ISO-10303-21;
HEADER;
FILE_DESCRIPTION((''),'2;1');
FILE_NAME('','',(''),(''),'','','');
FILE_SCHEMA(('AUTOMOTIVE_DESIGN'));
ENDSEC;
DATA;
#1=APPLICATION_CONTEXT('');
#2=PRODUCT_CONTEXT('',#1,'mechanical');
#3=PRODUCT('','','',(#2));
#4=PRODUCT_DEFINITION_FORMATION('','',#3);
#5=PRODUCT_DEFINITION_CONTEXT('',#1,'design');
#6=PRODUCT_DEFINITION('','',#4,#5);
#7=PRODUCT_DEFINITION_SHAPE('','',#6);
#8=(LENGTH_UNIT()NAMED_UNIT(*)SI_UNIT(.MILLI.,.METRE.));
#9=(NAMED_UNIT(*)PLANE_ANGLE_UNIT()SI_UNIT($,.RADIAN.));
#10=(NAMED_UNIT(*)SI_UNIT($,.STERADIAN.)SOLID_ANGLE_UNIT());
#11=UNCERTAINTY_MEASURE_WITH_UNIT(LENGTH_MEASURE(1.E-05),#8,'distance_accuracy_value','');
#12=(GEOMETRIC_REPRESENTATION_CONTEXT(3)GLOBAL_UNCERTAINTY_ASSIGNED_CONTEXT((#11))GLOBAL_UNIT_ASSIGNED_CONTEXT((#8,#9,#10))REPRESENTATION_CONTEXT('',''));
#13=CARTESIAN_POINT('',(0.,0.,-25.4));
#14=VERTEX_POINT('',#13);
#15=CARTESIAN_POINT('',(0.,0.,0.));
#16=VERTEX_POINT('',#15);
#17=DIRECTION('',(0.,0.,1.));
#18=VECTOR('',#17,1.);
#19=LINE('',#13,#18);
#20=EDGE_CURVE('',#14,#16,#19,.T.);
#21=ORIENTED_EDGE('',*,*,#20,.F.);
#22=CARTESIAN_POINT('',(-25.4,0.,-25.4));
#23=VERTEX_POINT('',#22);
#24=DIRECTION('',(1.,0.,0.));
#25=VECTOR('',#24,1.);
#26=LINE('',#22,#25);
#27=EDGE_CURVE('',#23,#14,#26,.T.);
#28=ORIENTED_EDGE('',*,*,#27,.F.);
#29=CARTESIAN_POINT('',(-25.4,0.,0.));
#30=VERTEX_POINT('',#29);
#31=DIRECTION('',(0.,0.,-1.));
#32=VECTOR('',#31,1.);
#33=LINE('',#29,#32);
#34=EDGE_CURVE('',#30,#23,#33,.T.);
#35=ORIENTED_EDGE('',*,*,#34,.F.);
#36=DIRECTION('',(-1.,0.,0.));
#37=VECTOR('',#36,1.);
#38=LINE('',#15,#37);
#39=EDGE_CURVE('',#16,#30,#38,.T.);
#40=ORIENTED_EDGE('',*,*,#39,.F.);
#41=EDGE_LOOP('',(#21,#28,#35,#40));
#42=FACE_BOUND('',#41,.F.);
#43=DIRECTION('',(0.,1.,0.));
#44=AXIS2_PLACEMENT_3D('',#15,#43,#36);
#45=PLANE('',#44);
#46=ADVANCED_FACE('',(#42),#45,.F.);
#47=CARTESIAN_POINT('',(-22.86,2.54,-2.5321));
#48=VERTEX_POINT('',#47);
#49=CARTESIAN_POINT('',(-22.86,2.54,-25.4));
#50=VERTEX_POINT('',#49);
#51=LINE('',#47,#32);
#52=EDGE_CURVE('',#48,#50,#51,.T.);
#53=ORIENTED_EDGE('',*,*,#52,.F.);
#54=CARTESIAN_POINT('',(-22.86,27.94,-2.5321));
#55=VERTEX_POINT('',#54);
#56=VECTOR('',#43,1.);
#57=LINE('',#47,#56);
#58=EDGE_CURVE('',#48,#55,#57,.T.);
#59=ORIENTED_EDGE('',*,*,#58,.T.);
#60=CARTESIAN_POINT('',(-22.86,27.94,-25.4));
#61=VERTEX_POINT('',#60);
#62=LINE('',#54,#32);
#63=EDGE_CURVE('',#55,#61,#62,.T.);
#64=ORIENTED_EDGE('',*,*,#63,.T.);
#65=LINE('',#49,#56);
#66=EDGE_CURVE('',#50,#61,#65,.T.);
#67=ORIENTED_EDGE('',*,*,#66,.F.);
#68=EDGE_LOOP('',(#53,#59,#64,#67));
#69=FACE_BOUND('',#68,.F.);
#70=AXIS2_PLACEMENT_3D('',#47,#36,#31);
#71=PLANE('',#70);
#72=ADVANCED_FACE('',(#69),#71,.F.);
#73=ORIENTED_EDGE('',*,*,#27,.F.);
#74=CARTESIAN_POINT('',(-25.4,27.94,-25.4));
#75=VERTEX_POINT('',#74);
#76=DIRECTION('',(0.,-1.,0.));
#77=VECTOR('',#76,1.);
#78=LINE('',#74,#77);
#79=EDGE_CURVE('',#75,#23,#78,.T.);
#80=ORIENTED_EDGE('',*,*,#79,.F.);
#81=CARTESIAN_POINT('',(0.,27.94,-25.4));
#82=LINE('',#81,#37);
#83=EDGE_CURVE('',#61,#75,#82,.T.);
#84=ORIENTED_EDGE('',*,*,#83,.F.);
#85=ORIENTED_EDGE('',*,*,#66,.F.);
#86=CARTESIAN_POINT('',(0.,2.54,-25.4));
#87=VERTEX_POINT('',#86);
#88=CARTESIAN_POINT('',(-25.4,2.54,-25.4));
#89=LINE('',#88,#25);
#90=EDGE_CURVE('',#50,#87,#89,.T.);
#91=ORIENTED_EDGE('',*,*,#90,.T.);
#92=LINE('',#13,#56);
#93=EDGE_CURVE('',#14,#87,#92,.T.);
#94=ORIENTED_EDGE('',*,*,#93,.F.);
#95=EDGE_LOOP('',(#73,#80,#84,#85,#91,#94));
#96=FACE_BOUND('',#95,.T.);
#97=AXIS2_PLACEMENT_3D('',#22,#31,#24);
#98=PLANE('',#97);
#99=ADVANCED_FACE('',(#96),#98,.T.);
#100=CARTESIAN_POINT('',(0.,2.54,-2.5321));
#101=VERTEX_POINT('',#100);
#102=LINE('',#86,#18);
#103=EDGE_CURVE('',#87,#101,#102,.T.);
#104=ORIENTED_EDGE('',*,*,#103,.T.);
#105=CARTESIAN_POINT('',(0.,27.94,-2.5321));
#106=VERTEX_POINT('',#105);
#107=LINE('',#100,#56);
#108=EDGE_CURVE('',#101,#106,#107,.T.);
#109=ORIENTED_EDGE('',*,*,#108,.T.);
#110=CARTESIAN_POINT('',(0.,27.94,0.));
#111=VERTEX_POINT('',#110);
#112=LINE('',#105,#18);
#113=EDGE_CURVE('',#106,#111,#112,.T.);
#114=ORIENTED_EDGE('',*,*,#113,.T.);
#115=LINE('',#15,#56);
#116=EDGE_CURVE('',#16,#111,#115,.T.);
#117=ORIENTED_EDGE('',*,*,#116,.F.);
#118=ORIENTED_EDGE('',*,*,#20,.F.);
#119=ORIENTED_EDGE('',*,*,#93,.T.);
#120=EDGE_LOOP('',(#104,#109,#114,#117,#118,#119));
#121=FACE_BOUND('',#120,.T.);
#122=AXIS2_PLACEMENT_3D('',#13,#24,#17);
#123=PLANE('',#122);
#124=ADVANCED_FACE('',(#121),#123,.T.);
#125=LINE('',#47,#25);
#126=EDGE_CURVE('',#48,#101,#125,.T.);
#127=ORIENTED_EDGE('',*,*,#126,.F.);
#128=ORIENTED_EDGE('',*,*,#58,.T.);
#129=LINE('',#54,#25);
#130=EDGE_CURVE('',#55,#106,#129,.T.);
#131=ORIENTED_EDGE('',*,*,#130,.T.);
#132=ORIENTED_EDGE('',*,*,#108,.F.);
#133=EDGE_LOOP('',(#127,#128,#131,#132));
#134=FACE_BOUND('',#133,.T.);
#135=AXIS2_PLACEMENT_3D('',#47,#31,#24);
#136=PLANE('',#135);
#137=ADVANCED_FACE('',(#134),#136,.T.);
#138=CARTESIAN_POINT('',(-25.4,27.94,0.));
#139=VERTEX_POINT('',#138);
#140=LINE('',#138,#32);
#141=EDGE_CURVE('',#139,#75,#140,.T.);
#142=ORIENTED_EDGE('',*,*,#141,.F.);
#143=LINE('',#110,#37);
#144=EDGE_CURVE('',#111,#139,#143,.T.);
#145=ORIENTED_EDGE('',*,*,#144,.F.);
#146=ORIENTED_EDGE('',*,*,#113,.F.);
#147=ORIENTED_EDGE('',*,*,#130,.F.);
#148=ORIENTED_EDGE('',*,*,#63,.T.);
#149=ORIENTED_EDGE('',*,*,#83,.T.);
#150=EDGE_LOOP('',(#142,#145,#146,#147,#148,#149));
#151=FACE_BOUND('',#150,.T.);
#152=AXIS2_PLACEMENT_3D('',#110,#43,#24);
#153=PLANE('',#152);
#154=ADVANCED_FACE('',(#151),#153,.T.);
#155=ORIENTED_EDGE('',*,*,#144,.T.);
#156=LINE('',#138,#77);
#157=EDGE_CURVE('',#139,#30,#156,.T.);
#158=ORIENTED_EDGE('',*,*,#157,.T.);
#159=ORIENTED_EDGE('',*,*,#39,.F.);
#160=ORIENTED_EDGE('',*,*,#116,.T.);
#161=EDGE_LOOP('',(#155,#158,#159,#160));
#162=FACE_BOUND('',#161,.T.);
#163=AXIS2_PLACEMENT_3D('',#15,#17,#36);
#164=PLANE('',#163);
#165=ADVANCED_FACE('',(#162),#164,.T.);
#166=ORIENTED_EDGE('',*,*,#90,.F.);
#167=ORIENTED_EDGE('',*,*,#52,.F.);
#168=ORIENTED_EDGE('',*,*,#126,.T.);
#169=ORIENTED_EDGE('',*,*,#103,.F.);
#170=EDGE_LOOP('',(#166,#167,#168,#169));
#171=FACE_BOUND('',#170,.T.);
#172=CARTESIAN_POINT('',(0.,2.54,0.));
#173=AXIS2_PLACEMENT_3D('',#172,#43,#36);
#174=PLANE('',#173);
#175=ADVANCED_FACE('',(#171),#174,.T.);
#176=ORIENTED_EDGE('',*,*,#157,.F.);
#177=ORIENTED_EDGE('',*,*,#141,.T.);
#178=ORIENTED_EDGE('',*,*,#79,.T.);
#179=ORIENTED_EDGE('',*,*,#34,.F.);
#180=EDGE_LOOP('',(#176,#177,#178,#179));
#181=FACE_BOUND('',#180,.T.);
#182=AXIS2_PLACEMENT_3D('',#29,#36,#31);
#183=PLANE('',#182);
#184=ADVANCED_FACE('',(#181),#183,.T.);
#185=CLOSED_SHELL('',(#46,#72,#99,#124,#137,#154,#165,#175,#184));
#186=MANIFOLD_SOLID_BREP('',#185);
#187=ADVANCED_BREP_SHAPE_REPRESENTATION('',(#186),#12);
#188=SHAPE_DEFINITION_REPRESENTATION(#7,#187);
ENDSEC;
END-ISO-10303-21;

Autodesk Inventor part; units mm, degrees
ref_plane "YZ Plane" through (0, 0, 0) normal (1, 0, 0) x (0, 1, 0)
ref_plane "XZ Plane" through (0, 0, 0) normal (0, 1, 0) x (-1, 0, 0)
ref_plane "XY Plane" through (0, 0, 0) normal (0, 0, 1) x (1, 0, 0)
sketch "Sketch1" plane through (0, 0, 0) normal (0, 1, 0) x (-1, 0, 0)
  line L0 (0, 0) -> (25.4, 0)
  line L1 (25.4, 0) -> (25.4, -25.4)
  line L2 (25.4, -25.4) -> (0, -25.4)
  line L3 (0, -25.4) -> (0, 0)
  dimension "d0" = 25.4
  dimension "d1" = 25.4
extrude "Extrusion1" add sketch "Sketch1" along normal blind 2.54
sketch "Sketch2" plane through (0, 2.54, 0) normal (0, 1, 0) x (1, 0, 0)
  line L0 (-25.4, 0) -> (0, 0) projected
  line L1 (-25.4, 25.4) -> (-25.4, 0) projected
  line L2 (0, 0) -> (-25.4, 0)
  line L3 (-25.4, 0) -> (-25.4, 2.5321)
  line L4 (-22.86, 2.5321) -> (0, 2.5321)
  line L5 (0, 2.5321) -> (0, 0)
  line L6 (0, 25.4) -> (-25.4, 25.4) projected
  line L7 (-25.4, 0) -> (-22.86, 0)
  line L8 (-22.86, 2.5321) -> (-22.86, 25.4)
  line L9 (-22.86, 25.4) -> (-25.4, 25.4)
  line L10 (-25.4, 25.4) -> (-25.4, 0)
  dimension "d4" = 2.54
extrude "Extrusion2" add sketch "Sketch2" along normal blind 25.4
properties part number "batteryCornerMount" material "UHMW, Black"
